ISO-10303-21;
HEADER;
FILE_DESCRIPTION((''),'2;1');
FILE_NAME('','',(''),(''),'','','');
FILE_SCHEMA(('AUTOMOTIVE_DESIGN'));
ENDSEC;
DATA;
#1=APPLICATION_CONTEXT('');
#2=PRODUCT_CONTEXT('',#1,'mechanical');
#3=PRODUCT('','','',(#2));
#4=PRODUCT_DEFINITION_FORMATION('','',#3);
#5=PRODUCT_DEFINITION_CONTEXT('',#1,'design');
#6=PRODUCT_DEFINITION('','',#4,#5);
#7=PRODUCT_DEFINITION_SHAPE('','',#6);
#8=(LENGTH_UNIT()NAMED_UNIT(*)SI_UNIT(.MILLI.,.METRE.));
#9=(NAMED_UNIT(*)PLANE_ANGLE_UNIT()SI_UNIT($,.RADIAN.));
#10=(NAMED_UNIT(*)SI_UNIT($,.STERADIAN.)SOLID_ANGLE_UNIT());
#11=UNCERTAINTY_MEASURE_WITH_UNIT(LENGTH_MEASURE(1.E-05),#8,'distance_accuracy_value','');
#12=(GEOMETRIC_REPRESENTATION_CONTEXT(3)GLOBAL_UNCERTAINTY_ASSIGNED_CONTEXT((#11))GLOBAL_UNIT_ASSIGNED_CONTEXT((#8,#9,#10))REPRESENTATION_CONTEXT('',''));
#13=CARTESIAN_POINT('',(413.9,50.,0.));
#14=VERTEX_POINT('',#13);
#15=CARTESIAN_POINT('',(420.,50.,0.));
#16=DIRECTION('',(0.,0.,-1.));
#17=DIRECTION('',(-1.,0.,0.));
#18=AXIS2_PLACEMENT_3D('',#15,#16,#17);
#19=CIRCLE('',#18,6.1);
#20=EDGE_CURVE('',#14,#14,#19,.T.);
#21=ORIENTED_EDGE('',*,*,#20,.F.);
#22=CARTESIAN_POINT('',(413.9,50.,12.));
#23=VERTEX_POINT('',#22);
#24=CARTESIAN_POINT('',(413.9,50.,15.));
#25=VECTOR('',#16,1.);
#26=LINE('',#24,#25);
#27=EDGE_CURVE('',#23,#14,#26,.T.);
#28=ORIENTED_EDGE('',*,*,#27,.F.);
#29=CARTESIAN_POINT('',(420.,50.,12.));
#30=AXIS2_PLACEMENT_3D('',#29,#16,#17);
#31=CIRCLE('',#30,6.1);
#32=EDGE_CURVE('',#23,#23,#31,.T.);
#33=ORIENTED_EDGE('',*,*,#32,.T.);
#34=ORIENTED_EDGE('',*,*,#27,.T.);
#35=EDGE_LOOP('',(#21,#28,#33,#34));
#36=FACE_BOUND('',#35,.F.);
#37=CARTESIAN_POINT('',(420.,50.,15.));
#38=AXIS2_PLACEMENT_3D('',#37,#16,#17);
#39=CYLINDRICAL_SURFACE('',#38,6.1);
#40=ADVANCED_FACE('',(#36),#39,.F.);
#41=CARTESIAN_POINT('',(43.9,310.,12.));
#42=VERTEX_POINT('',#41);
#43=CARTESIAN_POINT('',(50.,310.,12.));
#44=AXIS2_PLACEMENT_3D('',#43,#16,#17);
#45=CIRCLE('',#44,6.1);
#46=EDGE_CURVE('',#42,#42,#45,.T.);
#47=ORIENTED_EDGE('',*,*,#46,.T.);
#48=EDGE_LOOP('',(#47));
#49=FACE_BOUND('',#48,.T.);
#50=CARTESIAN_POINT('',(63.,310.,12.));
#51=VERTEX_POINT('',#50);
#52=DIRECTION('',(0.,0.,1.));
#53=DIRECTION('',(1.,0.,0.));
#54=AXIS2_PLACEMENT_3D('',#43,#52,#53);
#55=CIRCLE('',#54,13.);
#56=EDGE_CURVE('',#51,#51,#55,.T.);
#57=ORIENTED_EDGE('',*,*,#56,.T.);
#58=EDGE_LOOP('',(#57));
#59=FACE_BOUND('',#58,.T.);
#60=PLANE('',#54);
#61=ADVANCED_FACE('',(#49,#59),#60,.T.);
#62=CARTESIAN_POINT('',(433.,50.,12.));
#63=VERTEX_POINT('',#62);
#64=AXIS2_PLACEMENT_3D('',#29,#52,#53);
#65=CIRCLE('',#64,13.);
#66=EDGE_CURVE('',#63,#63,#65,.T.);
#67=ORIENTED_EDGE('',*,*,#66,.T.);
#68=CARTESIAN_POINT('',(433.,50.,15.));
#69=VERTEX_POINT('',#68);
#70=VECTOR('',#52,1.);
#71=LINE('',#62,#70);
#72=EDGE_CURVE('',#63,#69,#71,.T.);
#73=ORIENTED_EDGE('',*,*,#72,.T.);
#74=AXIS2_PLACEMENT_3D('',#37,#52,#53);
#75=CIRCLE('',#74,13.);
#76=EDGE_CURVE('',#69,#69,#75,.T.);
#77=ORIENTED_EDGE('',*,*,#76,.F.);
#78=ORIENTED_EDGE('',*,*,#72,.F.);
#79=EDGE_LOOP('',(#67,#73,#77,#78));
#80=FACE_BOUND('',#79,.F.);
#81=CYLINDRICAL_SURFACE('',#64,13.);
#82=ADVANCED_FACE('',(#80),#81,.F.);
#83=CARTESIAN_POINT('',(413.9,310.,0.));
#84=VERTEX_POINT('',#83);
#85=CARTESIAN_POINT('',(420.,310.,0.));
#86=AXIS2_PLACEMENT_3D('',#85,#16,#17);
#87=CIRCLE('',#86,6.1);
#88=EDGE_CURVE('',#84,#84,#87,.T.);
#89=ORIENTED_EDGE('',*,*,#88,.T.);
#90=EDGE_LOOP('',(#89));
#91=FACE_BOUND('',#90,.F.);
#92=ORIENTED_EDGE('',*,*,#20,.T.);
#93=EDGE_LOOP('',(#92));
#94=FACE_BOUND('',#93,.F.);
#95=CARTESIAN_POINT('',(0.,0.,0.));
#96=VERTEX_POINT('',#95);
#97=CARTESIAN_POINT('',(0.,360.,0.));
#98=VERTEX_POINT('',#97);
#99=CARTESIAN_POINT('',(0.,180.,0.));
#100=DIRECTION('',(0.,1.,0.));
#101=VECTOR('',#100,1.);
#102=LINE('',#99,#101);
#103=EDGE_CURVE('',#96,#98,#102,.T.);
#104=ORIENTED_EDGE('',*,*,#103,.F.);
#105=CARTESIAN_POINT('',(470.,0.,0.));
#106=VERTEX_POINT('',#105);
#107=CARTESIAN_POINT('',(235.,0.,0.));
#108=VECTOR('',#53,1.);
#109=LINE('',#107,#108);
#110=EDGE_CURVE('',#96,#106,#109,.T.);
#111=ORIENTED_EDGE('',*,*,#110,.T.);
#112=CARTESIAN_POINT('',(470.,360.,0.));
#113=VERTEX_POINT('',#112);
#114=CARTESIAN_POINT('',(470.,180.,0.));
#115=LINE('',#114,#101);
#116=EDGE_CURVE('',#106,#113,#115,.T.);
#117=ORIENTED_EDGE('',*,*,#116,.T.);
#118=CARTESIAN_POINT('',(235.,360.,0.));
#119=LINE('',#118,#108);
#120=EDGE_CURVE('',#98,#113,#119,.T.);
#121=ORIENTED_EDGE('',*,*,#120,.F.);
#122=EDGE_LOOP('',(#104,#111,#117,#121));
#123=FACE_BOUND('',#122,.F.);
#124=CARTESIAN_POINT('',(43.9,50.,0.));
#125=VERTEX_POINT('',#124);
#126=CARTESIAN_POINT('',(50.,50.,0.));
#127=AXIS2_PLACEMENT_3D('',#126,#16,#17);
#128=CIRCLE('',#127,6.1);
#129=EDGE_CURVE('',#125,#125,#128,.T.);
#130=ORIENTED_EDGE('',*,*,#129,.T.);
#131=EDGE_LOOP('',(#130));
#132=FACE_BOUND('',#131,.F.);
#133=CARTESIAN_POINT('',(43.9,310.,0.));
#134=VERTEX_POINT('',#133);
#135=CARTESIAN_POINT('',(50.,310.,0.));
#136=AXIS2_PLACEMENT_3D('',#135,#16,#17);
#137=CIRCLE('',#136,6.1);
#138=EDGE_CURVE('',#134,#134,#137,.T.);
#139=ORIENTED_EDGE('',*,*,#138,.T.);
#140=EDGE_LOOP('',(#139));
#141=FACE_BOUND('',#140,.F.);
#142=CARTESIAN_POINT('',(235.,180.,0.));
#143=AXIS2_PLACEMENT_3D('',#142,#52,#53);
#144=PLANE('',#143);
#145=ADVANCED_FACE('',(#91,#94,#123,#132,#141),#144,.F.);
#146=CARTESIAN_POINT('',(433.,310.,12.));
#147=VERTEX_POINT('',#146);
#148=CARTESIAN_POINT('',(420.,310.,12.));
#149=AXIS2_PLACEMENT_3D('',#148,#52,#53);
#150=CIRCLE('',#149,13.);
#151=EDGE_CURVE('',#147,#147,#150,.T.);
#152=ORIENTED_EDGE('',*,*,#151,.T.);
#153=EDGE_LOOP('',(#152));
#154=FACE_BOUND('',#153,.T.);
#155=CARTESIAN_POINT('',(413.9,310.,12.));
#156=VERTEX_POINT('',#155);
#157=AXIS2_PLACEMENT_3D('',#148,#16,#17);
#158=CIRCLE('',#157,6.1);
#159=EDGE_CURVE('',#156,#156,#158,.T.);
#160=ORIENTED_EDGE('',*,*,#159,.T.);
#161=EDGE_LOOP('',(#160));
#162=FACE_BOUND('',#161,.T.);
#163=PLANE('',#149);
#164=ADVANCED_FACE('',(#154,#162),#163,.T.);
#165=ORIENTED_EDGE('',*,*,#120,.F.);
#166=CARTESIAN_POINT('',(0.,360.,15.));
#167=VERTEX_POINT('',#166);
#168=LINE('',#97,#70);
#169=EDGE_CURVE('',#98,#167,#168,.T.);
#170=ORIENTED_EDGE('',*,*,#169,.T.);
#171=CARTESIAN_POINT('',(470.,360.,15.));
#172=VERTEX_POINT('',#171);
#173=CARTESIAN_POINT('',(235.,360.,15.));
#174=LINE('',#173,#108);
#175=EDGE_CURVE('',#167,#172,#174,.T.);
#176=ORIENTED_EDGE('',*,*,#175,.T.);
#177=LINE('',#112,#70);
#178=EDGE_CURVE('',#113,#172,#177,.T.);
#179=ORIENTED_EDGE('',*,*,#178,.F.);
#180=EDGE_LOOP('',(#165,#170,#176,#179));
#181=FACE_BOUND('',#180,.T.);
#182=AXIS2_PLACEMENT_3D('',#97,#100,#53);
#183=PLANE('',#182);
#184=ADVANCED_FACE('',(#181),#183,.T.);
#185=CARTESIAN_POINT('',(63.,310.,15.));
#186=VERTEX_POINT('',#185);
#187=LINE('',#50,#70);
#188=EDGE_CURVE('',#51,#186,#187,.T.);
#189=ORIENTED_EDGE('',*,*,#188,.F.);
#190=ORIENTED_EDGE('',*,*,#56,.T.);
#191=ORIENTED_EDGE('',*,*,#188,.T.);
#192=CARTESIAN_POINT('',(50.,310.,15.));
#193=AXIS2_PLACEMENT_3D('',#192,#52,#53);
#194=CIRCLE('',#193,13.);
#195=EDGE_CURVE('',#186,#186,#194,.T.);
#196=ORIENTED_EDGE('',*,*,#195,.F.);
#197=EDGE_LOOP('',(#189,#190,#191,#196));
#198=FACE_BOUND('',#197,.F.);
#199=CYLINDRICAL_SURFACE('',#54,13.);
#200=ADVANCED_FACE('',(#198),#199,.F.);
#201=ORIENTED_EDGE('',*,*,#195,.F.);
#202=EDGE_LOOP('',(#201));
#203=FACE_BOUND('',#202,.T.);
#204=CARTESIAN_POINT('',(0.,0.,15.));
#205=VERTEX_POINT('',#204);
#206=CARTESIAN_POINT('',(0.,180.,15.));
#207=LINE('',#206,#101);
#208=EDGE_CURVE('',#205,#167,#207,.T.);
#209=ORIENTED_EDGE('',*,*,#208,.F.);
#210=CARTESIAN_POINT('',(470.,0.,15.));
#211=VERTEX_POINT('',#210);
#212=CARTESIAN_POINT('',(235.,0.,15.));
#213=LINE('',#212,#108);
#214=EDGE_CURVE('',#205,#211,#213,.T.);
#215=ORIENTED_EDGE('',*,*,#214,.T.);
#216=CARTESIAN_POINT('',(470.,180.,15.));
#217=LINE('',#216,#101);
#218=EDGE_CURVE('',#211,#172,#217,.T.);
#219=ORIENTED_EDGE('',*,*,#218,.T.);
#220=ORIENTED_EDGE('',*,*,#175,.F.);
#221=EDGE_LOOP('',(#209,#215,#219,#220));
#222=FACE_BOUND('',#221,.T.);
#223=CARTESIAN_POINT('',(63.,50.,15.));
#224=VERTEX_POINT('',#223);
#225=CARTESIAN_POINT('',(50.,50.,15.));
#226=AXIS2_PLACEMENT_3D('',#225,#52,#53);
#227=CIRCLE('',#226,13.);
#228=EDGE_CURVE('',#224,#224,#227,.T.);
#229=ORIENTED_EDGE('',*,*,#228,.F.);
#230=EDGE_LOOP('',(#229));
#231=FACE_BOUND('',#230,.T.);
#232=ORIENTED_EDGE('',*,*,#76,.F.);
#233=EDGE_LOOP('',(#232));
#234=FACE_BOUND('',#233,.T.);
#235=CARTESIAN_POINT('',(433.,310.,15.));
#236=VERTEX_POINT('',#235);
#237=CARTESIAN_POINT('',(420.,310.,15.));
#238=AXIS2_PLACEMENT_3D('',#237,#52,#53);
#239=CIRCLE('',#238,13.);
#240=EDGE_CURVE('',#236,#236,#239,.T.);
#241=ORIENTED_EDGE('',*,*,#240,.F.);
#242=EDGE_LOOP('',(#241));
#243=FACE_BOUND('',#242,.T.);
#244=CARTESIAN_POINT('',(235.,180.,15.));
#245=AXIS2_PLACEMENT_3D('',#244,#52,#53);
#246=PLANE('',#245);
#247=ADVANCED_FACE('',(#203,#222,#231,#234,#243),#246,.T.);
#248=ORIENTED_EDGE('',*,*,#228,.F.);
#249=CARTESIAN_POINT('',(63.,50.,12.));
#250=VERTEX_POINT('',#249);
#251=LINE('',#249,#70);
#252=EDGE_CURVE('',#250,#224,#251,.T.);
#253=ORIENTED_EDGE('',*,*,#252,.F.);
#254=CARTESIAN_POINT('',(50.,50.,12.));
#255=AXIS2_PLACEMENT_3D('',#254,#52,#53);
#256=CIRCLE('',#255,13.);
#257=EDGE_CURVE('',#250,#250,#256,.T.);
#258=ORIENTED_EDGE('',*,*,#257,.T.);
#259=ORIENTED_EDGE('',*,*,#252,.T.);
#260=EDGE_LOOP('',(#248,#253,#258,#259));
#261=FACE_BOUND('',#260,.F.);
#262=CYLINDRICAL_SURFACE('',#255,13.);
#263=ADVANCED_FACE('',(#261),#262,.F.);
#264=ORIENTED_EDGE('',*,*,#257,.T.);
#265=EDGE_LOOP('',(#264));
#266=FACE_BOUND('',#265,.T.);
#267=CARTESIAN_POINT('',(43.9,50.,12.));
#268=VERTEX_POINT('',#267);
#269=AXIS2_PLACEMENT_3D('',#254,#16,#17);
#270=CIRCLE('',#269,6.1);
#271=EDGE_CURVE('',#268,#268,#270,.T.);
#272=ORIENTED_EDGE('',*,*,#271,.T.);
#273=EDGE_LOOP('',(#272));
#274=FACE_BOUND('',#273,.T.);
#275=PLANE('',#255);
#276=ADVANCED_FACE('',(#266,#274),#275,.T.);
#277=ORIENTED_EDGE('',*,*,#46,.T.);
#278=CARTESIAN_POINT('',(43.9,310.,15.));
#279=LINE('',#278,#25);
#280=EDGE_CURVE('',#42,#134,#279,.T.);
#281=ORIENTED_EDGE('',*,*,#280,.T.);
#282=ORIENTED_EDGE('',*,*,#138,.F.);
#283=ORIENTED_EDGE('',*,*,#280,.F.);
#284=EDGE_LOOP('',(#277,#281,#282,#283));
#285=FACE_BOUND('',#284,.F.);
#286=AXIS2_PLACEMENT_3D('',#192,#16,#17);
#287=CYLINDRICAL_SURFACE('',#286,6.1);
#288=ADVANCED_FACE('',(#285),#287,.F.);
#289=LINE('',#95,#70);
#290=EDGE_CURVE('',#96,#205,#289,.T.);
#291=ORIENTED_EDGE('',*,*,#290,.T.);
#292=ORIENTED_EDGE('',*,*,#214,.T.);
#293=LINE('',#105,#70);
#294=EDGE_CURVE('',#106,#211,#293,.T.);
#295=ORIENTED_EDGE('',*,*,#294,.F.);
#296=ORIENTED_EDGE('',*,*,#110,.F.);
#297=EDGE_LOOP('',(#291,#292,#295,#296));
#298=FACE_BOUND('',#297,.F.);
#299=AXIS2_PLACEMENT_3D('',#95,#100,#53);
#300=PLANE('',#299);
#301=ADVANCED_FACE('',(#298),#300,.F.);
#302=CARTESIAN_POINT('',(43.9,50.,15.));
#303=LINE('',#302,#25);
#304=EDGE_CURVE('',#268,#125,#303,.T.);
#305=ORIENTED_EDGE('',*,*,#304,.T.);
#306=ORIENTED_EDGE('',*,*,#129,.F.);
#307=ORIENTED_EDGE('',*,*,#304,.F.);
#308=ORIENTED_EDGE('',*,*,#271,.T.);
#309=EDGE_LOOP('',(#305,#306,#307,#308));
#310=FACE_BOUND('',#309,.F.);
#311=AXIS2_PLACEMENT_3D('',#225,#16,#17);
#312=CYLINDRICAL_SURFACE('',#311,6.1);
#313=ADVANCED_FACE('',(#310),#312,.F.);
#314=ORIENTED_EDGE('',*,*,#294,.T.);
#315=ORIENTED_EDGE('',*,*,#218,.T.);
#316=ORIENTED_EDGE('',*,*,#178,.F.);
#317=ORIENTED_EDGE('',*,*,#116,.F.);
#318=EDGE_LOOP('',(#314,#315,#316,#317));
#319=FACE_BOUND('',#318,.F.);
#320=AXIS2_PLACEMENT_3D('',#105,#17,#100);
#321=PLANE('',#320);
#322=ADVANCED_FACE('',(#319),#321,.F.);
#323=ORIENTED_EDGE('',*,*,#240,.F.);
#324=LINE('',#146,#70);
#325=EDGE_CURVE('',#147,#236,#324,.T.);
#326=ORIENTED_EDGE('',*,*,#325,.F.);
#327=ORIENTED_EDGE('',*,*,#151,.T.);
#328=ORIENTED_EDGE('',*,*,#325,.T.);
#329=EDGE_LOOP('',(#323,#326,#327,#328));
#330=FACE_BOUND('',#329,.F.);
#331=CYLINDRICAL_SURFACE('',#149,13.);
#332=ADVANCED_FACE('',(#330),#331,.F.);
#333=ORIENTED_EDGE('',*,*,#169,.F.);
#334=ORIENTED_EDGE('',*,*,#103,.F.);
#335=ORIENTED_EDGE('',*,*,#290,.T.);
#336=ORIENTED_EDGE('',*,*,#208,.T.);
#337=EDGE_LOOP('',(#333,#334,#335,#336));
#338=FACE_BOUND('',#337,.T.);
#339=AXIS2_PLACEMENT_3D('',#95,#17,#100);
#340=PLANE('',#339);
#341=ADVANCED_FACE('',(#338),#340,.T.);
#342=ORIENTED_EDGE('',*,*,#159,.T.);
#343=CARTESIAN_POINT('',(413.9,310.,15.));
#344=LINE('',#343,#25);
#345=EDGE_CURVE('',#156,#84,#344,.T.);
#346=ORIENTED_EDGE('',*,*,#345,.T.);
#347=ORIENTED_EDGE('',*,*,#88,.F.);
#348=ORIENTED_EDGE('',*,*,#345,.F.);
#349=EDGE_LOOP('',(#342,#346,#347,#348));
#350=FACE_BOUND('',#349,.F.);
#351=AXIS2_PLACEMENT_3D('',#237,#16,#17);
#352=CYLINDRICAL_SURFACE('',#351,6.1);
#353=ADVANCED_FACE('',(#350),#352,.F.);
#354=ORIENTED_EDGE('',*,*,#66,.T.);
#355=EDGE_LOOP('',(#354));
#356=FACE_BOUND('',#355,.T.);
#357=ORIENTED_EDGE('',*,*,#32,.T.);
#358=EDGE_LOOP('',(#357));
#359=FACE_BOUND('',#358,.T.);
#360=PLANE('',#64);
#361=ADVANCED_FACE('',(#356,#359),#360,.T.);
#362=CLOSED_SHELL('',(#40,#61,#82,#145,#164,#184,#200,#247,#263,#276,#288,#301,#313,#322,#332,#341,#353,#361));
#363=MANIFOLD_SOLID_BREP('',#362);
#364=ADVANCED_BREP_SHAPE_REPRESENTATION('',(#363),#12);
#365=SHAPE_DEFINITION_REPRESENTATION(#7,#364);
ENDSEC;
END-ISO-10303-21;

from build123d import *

# Parameters (mm, degrees)
F0_W           = 470
F0_H           = 360
F1_DEPTH       = 15
F3_D           = 12.2
F3_DEPTH       = 15
F3_CBORE_D     = 26
F3_CBORE_DEPTH = 3


with BuildPart() as f1:
    # F0 (on Top) → F1 (new body)
    with BuildSketch(Plane.XY):
        with Locations((235, 180)):
            Rectangle(F0_W, F0_H)
    extrude(amount=F1_DEPTH)

    # F3
    with Locations(Plane.XY.offset(15)):
        with Locations((50, 310), (50, 50), (420, 50), (420, 310)):
            CounterBoreHole(F3_D / 2, F3_CBORE_D / 2, F3_CBORE_DEPTH, depth=F3_DEPTH)


solid = f1.part
